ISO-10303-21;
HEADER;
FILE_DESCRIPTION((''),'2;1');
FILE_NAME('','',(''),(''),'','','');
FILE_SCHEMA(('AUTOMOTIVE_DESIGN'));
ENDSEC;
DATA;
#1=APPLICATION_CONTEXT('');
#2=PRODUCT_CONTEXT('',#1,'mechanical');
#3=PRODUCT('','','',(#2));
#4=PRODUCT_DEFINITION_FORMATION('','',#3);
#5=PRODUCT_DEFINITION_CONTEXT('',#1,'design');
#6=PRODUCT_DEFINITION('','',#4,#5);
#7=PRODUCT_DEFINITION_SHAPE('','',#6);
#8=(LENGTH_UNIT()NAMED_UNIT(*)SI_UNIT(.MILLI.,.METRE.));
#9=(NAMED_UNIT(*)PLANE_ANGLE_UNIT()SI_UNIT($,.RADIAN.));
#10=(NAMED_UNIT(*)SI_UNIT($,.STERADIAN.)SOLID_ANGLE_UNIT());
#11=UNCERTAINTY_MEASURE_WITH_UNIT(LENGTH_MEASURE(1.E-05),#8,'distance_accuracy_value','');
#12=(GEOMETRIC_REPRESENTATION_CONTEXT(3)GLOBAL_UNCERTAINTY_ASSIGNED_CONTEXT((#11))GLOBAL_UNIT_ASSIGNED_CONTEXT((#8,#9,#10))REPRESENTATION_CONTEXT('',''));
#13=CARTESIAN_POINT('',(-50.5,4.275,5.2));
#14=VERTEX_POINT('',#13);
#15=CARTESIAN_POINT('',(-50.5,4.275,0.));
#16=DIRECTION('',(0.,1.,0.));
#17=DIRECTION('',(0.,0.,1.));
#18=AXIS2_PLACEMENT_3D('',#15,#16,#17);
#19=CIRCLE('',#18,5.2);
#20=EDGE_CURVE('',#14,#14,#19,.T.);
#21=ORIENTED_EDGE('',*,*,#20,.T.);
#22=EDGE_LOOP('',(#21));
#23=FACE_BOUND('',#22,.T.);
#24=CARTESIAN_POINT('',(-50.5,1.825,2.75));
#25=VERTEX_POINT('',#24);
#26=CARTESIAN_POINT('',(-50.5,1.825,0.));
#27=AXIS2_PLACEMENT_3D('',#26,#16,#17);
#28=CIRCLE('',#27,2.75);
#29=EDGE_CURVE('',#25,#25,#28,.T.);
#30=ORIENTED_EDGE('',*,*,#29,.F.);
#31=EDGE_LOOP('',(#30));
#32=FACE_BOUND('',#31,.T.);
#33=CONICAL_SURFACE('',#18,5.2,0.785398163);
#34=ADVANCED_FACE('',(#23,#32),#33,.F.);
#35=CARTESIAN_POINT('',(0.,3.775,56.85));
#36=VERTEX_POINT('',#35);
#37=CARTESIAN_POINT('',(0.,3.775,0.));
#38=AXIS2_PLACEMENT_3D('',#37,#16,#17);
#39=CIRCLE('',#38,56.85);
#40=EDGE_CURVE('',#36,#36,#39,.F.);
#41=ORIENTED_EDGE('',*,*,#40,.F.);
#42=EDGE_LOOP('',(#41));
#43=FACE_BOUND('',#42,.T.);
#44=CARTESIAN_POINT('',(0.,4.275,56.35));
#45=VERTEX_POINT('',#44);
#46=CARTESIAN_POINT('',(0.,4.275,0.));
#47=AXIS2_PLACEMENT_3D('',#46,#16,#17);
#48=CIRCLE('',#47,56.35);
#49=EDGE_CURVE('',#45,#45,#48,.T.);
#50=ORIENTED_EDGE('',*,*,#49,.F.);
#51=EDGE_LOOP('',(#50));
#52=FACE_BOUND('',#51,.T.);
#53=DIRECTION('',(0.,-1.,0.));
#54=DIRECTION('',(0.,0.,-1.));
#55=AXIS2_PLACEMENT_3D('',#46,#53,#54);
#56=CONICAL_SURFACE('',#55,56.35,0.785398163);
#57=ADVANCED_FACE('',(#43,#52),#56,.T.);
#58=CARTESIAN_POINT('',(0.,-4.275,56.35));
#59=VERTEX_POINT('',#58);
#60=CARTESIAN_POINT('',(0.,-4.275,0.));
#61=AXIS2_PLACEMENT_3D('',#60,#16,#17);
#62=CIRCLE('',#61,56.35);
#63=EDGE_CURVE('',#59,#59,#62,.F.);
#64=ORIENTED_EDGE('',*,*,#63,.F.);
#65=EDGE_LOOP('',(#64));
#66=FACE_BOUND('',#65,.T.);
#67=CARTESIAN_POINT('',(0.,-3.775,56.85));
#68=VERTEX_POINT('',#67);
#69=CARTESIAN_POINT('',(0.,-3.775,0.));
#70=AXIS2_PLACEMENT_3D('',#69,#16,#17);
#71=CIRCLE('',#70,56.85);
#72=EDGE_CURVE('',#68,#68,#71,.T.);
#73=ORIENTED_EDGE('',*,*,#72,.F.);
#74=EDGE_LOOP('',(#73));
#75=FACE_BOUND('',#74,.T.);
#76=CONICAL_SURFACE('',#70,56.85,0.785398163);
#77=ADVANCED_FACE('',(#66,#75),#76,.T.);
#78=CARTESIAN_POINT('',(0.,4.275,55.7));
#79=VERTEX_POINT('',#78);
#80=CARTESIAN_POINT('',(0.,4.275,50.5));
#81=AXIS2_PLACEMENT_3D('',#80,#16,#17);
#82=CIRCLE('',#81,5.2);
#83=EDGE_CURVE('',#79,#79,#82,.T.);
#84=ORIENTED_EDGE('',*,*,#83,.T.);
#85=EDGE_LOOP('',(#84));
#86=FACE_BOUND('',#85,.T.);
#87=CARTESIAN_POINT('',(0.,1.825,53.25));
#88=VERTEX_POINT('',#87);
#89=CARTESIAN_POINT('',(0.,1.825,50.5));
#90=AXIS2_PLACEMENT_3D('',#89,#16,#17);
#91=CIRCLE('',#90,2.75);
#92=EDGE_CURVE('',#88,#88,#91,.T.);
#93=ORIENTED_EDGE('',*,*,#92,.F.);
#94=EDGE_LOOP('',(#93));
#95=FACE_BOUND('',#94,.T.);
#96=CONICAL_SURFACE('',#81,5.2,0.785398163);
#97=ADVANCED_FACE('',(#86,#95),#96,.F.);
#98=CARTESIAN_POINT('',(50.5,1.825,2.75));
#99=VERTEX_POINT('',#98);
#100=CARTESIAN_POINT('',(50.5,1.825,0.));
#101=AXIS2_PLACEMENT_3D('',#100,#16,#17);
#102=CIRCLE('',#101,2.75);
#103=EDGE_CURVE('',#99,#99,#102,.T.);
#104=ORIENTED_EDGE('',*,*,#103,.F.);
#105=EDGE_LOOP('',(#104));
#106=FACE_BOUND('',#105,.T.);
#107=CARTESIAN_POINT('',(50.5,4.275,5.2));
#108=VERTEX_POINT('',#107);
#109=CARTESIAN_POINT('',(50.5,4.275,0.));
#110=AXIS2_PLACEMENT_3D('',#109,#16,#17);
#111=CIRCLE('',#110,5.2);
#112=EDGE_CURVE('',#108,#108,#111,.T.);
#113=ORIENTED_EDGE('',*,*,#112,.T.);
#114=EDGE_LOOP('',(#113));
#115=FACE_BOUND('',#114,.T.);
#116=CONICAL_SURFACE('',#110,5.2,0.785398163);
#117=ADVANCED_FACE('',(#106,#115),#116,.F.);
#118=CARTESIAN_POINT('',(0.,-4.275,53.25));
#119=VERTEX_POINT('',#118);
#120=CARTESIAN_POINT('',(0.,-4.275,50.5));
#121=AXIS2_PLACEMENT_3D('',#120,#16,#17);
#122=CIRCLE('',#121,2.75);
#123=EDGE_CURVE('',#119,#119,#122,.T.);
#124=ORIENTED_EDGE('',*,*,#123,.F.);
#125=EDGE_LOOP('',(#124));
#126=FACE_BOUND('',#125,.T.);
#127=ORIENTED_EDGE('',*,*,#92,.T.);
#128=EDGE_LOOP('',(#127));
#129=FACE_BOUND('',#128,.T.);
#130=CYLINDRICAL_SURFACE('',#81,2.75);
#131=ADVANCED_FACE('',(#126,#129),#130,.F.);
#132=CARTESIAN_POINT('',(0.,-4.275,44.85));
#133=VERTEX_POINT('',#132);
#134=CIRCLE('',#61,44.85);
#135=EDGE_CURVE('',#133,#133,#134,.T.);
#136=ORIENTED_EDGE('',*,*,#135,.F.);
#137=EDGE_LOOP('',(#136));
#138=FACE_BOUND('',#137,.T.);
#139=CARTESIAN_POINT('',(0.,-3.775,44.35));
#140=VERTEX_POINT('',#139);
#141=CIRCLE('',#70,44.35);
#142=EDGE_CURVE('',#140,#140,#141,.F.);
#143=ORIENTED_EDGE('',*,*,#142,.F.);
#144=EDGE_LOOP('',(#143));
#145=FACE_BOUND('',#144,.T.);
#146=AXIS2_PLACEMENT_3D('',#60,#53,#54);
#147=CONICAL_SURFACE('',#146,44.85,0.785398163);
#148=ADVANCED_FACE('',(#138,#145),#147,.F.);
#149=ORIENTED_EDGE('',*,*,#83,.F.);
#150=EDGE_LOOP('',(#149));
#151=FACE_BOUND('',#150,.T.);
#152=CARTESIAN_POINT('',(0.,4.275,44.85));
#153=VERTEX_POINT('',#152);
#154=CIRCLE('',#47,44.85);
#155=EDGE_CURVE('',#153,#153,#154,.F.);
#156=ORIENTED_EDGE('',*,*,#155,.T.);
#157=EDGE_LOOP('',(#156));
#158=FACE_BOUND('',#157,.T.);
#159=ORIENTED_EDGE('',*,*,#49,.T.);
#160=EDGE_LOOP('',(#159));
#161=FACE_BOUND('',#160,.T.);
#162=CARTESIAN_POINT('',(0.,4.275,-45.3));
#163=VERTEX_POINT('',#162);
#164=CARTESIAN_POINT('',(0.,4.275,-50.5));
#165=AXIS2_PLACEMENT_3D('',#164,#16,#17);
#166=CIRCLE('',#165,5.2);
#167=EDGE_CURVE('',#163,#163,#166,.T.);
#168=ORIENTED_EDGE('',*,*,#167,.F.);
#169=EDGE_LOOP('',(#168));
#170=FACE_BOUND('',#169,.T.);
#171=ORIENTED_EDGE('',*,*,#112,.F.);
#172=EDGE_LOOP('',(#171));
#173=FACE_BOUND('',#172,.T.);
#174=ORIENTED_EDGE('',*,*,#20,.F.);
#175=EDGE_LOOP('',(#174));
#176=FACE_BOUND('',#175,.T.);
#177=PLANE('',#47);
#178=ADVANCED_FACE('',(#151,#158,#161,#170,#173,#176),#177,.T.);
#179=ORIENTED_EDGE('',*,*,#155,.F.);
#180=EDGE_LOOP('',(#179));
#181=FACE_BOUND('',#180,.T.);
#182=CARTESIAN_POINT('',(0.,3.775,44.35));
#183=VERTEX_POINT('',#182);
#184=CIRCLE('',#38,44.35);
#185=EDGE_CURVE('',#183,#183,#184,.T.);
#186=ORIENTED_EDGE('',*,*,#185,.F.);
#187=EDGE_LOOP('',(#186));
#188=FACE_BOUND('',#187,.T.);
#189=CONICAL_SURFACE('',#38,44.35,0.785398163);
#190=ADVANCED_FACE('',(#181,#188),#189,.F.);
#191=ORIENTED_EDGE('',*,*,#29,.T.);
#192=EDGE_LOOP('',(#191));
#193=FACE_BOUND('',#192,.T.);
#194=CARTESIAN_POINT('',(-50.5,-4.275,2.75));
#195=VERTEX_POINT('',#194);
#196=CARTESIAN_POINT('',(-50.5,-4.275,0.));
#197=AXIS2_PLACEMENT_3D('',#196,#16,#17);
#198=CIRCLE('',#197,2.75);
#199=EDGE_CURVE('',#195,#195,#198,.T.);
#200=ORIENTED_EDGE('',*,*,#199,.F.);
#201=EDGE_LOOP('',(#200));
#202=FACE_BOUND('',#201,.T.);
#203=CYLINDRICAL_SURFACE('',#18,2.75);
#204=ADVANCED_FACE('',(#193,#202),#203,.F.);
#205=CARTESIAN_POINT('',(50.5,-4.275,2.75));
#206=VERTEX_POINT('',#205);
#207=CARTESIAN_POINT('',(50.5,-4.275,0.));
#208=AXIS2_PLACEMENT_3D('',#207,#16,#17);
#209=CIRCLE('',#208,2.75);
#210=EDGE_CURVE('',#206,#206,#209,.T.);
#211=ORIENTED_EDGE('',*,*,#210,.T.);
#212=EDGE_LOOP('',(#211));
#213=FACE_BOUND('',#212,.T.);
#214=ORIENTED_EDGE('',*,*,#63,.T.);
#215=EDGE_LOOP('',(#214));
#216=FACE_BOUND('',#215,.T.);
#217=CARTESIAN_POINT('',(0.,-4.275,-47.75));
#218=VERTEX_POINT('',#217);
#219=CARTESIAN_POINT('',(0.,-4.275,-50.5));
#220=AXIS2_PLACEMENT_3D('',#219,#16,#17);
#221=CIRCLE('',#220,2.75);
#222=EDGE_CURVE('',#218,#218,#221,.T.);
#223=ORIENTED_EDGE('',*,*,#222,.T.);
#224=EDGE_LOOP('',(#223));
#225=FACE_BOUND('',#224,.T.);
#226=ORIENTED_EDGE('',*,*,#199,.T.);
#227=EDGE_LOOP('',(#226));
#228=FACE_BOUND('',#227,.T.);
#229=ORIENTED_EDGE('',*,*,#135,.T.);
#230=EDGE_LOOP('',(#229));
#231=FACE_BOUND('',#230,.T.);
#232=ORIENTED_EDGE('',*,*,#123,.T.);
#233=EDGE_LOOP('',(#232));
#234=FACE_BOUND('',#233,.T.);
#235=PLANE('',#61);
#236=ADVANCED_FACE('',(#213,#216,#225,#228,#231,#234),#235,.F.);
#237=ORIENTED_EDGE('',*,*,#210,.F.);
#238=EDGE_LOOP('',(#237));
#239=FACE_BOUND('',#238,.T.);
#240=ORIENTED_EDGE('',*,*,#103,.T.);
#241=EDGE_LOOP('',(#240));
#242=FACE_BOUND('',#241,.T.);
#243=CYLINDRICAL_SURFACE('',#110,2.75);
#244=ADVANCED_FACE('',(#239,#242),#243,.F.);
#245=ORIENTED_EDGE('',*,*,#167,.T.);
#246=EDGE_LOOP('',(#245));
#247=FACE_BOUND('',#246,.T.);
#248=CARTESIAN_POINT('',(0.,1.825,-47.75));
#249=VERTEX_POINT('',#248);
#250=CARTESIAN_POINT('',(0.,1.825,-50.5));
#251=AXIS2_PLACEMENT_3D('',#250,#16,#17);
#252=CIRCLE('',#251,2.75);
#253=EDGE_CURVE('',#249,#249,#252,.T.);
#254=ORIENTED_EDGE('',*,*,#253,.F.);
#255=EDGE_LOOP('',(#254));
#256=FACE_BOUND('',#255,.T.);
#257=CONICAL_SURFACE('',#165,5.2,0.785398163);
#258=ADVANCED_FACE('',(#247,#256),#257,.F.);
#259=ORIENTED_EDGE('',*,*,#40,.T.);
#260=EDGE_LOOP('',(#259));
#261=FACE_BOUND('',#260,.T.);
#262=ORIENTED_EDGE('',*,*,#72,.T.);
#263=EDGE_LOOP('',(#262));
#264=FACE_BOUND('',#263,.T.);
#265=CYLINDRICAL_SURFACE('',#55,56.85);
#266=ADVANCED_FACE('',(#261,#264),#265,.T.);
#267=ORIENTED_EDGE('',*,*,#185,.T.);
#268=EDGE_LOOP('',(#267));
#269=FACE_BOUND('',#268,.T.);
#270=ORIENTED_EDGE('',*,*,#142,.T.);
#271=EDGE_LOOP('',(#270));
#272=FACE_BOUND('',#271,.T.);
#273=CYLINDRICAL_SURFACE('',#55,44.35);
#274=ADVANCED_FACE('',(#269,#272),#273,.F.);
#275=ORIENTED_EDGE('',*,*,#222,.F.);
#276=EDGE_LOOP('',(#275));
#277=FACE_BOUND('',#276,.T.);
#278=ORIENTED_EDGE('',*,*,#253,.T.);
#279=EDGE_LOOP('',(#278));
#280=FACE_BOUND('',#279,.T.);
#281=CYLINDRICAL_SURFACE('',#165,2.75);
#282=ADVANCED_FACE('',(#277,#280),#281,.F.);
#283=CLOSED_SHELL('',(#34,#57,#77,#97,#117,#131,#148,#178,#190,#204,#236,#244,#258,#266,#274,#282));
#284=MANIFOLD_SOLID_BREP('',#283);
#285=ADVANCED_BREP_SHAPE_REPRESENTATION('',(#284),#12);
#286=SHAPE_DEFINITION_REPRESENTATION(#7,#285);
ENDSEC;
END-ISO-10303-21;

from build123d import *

# Parameters (mm, degrees)
SKETCH_1_R               = 56.85
SKETCH_1_R_2             = 44.35
EXTRUDE_1_DEPTH          = 4.275
CHAMFER_1_SIZE           = 0.5
SKETCH_2_R               = 2.5
CUT_EXTRUDE_1_DEPTH      = 10
PATTERN_CIRCULAR_1_COUNT = 4


with BuildPart() as part:
    # ｽｹｯﾁ1 → ﾎﾞｽ - 押し出し1 (new, symmetric)
    with BuildSketch(Plane(origin=(0, 0, 0), x_dir=(1, 0, 0), z_dir=(0, 1, 0))):
        with Locations(Location((0, 0, 0), (0, 0, 270))):
            Circle(SKETCH_1_R)
        with Locations(Location((0, 0, 0), (0, 0, 270))):
            Circle(SKETCH_1_R_2, mode=Mode.SUBTRACT)
    extrude(amount=EXTRUDE_1_DEPTH, both=True)

    # 面取り1
    chamfer_1_edges = [part.edges().sort_by_distance(p)[0] for p in [
        (0, -4.275, -56.85),
        (0, 4.275, -56.85),
        (0, -4.275, -44.35),
        (0, 4.275, -44.35),
    ]]
    chamfer(chamfer_1_edges, length=CHAMFER_1_SIZE)

    # ｽｹｯﾁ2 → ｶｯﾄ - 押し出し1 (cut)
    with BuildSketch(Plane(origin=(0, 4.275, 0), x_dir=(1, 0, 0), z_dir=(0, 1, 0))):
        with Locations(Location((0, 50.5, 0), (0, 0, 270))):
            Circle(SKETCH_2_R)
    extrude(amount=-CUT_EXTRUDE_1_DEPTH, mode=Mode.SUBTRACT)

    # ｽｹｯﾁ3 → M5 丸皿ねじ用皿穴1 (revolve, cut)
    with BuildSketch(Plane(origin=(0, 4.275, -50.5), x_dir=(0, 0, 1), z_dir=(1, 0, 0))):
        Polygon((0, 0), (0, 11.652366702), (2.75, 10), (2.75, 2.45), (5.2, 0), align=None)
    hole_wizard_m5_1 = revolve(axis=Axis((0, 10.625, -50.5), (0, -1, 0)), mode=Mode.SUBTRACT)

    # 円形ﾊﾟﾀｰﾝ1: M5 丸皿ねじ用皿穴1 ×4 about axis
    pattern_circular_1_axis = Axis((0, 0, 0), (0, 1, 0))
    for i in range(1, PATTERN_CIRCULAR_1_COUNT):
        add(hole_wizard_m5_1.rotate(pattern_circular_1_axis, i * 360 / PATTERN_CIRCULAR_1_COUNT), mode=Mode.SUBTRACT)


solid = part.part
